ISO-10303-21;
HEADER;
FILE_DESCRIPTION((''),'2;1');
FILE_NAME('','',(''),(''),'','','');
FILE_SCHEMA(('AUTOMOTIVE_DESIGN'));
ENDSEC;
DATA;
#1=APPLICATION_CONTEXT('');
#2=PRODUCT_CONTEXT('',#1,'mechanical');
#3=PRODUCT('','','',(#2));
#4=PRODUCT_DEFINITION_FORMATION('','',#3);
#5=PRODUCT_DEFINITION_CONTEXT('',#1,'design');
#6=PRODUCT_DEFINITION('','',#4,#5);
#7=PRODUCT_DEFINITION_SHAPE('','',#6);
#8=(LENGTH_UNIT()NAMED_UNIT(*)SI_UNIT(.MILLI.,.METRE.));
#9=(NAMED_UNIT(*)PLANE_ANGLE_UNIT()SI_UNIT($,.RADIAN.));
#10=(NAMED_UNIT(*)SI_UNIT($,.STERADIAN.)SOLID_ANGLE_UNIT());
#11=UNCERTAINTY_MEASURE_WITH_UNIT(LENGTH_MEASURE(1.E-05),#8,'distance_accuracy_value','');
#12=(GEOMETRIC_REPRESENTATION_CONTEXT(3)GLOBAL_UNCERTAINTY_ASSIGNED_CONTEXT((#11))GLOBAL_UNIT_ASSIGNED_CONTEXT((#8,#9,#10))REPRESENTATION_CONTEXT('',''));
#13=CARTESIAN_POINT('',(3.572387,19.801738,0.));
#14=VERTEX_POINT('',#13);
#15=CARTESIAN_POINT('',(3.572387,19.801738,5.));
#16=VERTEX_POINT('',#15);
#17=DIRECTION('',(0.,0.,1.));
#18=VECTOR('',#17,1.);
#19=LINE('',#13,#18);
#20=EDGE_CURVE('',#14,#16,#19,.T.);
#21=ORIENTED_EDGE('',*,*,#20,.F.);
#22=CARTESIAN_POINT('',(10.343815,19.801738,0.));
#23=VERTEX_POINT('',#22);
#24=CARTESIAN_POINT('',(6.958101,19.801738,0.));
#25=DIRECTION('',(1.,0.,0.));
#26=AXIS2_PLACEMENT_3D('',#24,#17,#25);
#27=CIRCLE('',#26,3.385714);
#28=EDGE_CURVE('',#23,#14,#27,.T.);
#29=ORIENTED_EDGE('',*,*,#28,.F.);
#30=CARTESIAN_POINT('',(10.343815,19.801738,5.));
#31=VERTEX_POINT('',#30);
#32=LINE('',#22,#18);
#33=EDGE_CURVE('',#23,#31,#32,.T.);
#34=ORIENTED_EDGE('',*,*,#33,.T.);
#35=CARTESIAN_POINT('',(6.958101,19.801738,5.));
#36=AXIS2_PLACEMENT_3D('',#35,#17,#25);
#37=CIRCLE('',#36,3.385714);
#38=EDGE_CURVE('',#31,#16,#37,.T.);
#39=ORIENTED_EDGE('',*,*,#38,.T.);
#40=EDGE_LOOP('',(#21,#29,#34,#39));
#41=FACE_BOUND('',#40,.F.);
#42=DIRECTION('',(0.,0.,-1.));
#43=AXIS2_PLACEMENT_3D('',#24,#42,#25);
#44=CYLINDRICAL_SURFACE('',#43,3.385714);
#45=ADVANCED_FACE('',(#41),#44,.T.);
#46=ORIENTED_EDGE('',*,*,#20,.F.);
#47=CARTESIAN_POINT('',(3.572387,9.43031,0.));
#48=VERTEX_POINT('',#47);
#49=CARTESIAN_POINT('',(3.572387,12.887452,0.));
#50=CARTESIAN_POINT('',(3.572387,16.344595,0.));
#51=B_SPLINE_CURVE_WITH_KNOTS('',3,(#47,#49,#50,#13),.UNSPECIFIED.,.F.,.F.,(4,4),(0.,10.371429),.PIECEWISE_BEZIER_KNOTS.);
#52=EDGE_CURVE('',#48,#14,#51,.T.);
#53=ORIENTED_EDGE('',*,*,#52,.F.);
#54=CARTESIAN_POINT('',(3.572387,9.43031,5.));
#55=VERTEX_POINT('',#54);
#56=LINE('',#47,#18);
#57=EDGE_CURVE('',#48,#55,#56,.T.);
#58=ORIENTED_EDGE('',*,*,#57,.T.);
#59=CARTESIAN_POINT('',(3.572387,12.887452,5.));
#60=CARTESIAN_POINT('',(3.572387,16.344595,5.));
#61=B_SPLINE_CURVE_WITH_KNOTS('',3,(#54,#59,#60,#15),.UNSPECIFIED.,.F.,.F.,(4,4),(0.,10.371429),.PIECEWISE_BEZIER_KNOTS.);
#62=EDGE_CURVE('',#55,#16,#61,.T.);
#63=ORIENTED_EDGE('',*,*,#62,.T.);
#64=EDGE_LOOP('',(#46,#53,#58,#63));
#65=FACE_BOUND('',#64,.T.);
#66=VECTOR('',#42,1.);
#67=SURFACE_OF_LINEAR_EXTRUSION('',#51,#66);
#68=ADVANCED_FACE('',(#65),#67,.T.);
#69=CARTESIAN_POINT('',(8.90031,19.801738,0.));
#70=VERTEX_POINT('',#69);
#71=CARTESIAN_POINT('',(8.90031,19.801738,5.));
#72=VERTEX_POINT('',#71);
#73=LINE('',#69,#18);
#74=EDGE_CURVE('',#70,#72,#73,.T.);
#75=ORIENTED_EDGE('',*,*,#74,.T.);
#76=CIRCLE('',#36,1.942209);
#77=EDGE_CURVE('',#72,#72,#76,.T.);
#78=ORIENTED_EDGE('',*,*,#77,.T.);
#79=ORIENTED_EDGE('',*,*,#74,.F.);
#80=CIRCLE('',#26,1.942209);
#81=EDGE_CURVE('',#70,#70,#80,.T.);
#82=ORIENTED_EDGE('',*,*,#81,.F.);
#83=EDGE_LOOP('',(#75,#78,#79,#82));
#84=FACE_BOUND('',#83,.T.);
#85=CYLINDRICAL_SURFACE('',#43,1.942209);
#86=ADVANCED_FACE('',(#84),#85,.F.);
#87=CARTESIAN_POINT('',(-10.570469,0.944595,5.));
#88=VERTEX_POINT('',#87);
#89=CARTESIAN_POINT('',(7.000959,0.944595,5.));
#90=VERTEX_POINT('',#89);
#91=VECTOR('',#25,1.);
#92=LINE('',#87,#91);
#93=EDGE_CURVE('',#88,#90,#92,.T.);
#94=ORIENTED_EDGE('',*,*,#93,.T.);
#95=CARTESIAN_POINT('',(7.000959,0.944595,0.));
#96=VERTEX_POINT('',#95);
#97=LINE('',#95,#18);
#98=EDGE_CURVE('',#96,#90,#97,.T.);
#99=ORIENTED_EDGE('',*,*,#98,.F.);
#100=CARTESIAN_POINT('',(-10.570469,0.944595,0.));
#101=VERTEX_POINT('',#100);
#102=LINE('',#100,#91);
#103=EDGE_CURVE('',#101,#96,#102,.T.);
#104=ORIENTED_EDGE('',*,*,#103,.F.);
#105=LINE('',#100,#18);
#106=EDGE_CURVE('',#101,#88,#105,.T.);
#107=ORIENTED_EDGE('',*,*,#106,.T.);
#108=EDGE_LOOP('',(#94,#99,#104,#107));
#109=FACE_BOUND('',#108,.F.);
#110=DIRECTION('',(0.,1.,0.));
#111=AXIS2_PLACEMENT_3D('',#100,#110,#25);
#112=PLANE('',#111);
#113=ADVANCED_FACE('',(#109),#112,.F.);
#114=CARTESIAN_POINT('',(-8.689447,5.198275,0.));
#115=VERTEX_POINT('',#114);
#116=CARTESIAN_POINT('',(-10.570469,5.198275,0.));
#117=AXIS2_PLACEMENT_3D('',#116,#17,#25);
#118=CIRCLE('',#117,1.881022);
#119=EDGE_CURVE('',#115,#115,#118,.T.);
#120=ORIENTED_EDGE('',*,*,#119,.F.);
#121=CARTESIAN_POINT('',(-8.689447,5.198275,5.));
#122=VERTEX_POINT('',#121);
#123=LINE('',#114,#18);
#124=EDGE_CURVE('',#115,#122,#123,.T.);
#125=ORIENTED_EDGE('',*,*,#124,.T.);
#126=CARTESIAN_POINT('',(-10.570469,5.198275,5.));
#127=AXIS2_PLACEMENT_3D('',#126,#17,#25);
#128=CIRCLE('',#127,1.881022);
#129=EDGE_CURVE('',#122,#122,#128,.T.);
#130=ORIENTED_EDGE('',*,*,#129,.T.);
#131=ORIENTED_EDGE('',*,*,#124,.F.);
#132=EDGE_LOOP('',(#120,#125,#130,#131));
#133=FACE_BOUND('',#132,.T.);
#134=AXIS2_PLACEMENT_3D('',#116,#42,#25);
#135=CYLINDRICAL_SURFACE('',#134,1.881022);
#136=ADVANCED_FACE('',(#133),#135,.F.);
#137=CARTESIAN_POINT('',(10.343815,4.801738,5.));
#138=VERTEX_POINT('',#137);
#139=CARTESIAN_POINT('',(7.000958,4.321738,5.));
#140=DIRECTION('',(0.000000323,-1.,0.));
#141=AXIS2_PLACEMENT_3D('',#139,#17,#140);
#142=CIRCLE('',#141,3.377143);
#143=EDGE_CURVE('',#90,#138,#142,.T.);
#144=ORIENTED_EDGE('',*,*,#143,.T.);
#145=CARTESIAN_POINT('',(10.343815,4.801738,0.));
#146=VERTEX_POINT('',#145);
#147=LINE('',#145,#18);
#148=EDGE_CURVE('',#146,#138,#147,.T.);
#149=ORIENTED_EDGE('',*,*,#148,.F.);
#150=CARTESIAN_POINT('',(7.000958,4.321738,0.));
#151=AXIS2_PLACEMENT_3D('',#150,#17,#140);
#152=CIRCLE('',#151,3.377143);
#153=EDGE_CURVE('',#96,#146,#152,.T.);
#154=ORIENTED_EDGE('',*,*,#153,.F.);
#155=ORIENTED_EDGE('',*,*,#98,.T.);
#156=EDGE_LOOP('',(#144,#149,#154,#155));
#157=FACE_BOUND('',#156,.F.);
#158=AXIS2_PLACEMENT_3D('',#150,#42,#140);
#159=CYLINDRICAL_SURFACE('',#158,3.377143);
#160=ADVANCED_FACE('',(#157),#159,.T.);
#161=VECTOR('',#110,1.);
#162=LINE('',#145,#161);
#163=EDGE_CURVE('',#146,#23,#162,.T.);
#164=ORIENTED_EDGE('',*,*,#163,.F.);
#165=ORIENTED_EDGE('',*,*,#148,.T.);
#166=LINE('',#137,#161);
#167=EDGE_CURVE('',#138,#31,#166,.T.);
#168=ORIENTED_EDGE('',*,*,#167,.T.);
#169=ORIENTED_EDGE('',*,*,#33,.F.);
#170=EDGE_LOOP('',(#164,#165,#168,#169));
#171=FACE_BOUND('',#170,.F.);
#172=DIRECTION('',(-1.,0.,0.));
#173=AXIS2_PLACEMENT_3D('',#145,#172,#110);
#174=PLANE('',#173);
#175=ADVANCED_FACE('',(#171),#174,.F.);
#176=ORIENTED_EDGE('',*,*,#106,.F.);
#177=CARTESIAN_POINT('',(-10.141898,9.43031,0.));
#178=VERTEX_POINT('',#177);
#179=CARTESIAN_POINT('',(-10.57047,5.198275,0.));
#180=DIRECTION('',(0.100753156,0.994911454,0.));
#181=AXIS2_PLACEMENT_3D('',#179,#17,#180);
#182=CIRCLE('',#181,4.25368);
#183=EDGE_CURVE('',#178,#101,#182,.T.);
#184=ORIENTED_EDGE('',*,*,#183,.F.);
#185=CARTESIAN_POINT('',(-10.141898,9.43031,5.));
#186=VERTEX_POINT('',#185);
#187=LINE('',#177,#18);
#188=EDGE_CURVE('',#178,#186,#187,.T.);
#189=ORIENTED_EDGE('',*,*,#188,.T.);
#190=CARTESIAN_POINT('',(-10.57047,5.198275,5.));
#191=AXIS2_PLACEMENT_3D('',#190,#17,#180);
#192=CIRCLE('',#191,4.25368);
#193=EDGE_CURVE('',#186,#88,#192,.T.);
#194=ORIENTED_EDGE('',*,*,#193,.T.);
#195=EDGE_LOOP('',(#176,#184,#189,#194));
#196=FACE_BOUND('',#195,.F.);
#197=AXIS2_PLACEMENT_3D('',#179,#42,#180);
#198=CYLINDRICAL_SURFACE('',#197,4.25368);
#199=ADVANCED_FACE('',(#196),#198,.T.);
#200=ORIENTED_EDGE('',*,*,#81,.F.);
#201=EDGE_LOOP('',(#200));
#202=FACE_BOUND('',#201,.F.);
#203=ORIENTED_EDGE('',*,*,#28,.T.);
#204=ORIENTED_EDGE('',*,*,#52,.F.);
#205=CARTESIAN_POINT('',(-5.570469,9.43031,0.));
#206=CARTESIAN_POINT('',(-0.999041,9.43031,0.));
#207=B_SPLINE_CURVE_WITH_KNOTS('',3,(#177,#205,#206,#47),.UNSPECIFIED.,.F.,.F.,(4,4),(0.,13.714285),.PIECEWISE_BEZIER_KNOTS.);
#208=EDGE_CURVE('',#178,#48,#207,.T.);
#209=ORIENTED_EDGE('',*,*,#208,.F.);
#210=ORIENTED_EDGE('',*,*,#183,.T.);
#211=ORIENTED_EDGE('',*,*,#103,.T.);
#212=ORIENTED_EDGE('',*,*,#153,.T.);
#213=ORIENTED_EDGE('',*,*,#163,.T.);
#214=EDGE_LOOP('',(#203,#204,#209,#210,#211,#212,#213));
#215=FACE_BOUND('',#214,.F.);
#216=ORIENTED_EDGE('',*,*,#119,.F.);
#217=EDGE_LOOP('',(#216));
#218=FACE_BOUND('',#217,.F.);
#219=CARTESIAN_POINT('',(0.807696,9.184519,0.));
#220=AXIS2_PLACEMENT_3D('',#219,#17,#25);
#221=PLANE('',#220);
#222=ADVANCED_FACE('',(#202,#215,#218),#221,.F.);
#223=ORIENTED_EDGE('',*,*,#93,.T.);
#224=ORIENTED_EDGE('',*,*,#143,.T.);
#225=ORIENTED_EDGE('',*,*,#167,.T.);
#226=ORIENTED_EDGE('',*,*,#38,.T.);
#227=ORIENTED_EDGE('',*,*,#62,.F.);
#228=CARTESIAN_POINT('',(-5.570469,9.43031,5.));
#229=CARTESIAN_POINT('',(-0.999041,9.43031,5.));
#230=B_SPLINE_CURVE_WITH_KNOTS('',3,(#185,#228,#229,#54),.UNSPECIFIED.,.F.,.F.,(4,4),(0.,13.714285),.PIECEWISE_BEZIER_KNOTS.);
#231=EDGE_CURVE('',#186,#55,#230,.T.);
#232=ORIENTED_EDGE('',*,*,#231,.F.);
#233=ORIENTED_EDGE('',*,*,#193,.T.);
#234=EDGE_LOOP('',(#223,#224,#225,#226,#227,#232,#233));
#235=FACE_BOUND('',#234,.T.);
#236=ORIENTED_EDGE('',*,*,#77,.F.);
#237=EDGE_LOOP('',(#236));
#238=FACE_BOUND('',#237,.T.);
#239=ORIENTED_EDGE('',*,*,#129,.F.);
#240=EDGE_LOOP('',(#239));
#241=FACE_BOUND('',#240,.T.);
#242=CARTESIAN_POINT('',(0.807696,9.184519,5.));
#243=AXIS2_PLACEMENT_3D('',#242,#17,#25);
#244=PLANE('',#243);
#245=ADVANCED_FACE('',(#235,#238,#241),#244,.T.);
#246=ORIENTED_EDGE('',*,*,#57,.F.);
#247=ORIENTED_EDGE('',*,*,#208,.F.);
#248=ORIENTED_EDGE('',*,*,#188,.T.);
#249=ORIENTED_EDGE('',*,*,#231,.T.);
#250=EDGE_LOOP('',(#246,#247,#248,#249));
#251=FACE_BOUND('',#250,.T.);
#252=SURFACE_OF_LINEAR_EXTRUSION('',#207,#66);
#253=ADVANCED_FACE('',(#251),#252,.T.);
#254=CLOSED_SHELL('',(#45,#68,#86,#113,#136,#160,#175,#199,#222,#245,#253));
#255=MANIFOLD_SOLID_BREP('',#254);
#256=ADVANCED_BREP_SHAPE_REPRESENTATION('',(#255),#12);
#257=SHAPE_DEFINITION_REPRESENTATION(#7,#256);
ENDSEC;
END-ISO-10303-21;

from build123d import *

# Parameters (mm, degrees)
F0_R     = 1.881022
F0_R_2   = 1.942209
F1_DEPTH = 5


with BuildPart() as f1:
    # F0 (on Top) → F1 (new body)
    with BuildSketch(Plane.XY):
        with BuildLine():
            ThreePointArc((-10.141898, 9.43031), (-14.818735, 5.412834), (-10.570469, 0.944595))
            Line((-10.570469, 0.944595), (7.000959, 0.944595))
            ThreePointArc((7.000959, 0.944595), (9.553028, 2.109944), (10.343815, 4.801738))
            Line((10.343815, 4.801738), (10.343815, 19.801738))
            ThreePointArc((10.343815, 19.801738), (6.958101, 23.187452), (3.572387, 19.801738))
            add(Edge.make_bspline(
                [(3.572387, 9.43031), (3.572387, 12.887452), (3.572387, 16.344595), (3.572387, 19.801738)],
                knots=[0, 0, 0, 0, 10.371429, 10.371429, 10.371429, 10.371429], degree=3))
            add(Edge.make_bspline(
                [(-10.141898, 9.43031), (-5.570469, 9.43031), (-0.999041, 9.43031), (3.572387, 9.43031)],
                knots=[0, 0, 0, 0, 13.714285, 13.714285, 13.714285, 13.714285], degree=3))
        make_face()
        with Locations((-10.570469, 5.198275)):
            Circle(F0_R, mode=Mode.SUBTRACT)
        with Locations((6.958101, 19.801738)):
            Circle(F0_R_2, mode=Mode.SUBTRACT)
    extrude(amount=F1_DEPTH)


solid = f1.part
